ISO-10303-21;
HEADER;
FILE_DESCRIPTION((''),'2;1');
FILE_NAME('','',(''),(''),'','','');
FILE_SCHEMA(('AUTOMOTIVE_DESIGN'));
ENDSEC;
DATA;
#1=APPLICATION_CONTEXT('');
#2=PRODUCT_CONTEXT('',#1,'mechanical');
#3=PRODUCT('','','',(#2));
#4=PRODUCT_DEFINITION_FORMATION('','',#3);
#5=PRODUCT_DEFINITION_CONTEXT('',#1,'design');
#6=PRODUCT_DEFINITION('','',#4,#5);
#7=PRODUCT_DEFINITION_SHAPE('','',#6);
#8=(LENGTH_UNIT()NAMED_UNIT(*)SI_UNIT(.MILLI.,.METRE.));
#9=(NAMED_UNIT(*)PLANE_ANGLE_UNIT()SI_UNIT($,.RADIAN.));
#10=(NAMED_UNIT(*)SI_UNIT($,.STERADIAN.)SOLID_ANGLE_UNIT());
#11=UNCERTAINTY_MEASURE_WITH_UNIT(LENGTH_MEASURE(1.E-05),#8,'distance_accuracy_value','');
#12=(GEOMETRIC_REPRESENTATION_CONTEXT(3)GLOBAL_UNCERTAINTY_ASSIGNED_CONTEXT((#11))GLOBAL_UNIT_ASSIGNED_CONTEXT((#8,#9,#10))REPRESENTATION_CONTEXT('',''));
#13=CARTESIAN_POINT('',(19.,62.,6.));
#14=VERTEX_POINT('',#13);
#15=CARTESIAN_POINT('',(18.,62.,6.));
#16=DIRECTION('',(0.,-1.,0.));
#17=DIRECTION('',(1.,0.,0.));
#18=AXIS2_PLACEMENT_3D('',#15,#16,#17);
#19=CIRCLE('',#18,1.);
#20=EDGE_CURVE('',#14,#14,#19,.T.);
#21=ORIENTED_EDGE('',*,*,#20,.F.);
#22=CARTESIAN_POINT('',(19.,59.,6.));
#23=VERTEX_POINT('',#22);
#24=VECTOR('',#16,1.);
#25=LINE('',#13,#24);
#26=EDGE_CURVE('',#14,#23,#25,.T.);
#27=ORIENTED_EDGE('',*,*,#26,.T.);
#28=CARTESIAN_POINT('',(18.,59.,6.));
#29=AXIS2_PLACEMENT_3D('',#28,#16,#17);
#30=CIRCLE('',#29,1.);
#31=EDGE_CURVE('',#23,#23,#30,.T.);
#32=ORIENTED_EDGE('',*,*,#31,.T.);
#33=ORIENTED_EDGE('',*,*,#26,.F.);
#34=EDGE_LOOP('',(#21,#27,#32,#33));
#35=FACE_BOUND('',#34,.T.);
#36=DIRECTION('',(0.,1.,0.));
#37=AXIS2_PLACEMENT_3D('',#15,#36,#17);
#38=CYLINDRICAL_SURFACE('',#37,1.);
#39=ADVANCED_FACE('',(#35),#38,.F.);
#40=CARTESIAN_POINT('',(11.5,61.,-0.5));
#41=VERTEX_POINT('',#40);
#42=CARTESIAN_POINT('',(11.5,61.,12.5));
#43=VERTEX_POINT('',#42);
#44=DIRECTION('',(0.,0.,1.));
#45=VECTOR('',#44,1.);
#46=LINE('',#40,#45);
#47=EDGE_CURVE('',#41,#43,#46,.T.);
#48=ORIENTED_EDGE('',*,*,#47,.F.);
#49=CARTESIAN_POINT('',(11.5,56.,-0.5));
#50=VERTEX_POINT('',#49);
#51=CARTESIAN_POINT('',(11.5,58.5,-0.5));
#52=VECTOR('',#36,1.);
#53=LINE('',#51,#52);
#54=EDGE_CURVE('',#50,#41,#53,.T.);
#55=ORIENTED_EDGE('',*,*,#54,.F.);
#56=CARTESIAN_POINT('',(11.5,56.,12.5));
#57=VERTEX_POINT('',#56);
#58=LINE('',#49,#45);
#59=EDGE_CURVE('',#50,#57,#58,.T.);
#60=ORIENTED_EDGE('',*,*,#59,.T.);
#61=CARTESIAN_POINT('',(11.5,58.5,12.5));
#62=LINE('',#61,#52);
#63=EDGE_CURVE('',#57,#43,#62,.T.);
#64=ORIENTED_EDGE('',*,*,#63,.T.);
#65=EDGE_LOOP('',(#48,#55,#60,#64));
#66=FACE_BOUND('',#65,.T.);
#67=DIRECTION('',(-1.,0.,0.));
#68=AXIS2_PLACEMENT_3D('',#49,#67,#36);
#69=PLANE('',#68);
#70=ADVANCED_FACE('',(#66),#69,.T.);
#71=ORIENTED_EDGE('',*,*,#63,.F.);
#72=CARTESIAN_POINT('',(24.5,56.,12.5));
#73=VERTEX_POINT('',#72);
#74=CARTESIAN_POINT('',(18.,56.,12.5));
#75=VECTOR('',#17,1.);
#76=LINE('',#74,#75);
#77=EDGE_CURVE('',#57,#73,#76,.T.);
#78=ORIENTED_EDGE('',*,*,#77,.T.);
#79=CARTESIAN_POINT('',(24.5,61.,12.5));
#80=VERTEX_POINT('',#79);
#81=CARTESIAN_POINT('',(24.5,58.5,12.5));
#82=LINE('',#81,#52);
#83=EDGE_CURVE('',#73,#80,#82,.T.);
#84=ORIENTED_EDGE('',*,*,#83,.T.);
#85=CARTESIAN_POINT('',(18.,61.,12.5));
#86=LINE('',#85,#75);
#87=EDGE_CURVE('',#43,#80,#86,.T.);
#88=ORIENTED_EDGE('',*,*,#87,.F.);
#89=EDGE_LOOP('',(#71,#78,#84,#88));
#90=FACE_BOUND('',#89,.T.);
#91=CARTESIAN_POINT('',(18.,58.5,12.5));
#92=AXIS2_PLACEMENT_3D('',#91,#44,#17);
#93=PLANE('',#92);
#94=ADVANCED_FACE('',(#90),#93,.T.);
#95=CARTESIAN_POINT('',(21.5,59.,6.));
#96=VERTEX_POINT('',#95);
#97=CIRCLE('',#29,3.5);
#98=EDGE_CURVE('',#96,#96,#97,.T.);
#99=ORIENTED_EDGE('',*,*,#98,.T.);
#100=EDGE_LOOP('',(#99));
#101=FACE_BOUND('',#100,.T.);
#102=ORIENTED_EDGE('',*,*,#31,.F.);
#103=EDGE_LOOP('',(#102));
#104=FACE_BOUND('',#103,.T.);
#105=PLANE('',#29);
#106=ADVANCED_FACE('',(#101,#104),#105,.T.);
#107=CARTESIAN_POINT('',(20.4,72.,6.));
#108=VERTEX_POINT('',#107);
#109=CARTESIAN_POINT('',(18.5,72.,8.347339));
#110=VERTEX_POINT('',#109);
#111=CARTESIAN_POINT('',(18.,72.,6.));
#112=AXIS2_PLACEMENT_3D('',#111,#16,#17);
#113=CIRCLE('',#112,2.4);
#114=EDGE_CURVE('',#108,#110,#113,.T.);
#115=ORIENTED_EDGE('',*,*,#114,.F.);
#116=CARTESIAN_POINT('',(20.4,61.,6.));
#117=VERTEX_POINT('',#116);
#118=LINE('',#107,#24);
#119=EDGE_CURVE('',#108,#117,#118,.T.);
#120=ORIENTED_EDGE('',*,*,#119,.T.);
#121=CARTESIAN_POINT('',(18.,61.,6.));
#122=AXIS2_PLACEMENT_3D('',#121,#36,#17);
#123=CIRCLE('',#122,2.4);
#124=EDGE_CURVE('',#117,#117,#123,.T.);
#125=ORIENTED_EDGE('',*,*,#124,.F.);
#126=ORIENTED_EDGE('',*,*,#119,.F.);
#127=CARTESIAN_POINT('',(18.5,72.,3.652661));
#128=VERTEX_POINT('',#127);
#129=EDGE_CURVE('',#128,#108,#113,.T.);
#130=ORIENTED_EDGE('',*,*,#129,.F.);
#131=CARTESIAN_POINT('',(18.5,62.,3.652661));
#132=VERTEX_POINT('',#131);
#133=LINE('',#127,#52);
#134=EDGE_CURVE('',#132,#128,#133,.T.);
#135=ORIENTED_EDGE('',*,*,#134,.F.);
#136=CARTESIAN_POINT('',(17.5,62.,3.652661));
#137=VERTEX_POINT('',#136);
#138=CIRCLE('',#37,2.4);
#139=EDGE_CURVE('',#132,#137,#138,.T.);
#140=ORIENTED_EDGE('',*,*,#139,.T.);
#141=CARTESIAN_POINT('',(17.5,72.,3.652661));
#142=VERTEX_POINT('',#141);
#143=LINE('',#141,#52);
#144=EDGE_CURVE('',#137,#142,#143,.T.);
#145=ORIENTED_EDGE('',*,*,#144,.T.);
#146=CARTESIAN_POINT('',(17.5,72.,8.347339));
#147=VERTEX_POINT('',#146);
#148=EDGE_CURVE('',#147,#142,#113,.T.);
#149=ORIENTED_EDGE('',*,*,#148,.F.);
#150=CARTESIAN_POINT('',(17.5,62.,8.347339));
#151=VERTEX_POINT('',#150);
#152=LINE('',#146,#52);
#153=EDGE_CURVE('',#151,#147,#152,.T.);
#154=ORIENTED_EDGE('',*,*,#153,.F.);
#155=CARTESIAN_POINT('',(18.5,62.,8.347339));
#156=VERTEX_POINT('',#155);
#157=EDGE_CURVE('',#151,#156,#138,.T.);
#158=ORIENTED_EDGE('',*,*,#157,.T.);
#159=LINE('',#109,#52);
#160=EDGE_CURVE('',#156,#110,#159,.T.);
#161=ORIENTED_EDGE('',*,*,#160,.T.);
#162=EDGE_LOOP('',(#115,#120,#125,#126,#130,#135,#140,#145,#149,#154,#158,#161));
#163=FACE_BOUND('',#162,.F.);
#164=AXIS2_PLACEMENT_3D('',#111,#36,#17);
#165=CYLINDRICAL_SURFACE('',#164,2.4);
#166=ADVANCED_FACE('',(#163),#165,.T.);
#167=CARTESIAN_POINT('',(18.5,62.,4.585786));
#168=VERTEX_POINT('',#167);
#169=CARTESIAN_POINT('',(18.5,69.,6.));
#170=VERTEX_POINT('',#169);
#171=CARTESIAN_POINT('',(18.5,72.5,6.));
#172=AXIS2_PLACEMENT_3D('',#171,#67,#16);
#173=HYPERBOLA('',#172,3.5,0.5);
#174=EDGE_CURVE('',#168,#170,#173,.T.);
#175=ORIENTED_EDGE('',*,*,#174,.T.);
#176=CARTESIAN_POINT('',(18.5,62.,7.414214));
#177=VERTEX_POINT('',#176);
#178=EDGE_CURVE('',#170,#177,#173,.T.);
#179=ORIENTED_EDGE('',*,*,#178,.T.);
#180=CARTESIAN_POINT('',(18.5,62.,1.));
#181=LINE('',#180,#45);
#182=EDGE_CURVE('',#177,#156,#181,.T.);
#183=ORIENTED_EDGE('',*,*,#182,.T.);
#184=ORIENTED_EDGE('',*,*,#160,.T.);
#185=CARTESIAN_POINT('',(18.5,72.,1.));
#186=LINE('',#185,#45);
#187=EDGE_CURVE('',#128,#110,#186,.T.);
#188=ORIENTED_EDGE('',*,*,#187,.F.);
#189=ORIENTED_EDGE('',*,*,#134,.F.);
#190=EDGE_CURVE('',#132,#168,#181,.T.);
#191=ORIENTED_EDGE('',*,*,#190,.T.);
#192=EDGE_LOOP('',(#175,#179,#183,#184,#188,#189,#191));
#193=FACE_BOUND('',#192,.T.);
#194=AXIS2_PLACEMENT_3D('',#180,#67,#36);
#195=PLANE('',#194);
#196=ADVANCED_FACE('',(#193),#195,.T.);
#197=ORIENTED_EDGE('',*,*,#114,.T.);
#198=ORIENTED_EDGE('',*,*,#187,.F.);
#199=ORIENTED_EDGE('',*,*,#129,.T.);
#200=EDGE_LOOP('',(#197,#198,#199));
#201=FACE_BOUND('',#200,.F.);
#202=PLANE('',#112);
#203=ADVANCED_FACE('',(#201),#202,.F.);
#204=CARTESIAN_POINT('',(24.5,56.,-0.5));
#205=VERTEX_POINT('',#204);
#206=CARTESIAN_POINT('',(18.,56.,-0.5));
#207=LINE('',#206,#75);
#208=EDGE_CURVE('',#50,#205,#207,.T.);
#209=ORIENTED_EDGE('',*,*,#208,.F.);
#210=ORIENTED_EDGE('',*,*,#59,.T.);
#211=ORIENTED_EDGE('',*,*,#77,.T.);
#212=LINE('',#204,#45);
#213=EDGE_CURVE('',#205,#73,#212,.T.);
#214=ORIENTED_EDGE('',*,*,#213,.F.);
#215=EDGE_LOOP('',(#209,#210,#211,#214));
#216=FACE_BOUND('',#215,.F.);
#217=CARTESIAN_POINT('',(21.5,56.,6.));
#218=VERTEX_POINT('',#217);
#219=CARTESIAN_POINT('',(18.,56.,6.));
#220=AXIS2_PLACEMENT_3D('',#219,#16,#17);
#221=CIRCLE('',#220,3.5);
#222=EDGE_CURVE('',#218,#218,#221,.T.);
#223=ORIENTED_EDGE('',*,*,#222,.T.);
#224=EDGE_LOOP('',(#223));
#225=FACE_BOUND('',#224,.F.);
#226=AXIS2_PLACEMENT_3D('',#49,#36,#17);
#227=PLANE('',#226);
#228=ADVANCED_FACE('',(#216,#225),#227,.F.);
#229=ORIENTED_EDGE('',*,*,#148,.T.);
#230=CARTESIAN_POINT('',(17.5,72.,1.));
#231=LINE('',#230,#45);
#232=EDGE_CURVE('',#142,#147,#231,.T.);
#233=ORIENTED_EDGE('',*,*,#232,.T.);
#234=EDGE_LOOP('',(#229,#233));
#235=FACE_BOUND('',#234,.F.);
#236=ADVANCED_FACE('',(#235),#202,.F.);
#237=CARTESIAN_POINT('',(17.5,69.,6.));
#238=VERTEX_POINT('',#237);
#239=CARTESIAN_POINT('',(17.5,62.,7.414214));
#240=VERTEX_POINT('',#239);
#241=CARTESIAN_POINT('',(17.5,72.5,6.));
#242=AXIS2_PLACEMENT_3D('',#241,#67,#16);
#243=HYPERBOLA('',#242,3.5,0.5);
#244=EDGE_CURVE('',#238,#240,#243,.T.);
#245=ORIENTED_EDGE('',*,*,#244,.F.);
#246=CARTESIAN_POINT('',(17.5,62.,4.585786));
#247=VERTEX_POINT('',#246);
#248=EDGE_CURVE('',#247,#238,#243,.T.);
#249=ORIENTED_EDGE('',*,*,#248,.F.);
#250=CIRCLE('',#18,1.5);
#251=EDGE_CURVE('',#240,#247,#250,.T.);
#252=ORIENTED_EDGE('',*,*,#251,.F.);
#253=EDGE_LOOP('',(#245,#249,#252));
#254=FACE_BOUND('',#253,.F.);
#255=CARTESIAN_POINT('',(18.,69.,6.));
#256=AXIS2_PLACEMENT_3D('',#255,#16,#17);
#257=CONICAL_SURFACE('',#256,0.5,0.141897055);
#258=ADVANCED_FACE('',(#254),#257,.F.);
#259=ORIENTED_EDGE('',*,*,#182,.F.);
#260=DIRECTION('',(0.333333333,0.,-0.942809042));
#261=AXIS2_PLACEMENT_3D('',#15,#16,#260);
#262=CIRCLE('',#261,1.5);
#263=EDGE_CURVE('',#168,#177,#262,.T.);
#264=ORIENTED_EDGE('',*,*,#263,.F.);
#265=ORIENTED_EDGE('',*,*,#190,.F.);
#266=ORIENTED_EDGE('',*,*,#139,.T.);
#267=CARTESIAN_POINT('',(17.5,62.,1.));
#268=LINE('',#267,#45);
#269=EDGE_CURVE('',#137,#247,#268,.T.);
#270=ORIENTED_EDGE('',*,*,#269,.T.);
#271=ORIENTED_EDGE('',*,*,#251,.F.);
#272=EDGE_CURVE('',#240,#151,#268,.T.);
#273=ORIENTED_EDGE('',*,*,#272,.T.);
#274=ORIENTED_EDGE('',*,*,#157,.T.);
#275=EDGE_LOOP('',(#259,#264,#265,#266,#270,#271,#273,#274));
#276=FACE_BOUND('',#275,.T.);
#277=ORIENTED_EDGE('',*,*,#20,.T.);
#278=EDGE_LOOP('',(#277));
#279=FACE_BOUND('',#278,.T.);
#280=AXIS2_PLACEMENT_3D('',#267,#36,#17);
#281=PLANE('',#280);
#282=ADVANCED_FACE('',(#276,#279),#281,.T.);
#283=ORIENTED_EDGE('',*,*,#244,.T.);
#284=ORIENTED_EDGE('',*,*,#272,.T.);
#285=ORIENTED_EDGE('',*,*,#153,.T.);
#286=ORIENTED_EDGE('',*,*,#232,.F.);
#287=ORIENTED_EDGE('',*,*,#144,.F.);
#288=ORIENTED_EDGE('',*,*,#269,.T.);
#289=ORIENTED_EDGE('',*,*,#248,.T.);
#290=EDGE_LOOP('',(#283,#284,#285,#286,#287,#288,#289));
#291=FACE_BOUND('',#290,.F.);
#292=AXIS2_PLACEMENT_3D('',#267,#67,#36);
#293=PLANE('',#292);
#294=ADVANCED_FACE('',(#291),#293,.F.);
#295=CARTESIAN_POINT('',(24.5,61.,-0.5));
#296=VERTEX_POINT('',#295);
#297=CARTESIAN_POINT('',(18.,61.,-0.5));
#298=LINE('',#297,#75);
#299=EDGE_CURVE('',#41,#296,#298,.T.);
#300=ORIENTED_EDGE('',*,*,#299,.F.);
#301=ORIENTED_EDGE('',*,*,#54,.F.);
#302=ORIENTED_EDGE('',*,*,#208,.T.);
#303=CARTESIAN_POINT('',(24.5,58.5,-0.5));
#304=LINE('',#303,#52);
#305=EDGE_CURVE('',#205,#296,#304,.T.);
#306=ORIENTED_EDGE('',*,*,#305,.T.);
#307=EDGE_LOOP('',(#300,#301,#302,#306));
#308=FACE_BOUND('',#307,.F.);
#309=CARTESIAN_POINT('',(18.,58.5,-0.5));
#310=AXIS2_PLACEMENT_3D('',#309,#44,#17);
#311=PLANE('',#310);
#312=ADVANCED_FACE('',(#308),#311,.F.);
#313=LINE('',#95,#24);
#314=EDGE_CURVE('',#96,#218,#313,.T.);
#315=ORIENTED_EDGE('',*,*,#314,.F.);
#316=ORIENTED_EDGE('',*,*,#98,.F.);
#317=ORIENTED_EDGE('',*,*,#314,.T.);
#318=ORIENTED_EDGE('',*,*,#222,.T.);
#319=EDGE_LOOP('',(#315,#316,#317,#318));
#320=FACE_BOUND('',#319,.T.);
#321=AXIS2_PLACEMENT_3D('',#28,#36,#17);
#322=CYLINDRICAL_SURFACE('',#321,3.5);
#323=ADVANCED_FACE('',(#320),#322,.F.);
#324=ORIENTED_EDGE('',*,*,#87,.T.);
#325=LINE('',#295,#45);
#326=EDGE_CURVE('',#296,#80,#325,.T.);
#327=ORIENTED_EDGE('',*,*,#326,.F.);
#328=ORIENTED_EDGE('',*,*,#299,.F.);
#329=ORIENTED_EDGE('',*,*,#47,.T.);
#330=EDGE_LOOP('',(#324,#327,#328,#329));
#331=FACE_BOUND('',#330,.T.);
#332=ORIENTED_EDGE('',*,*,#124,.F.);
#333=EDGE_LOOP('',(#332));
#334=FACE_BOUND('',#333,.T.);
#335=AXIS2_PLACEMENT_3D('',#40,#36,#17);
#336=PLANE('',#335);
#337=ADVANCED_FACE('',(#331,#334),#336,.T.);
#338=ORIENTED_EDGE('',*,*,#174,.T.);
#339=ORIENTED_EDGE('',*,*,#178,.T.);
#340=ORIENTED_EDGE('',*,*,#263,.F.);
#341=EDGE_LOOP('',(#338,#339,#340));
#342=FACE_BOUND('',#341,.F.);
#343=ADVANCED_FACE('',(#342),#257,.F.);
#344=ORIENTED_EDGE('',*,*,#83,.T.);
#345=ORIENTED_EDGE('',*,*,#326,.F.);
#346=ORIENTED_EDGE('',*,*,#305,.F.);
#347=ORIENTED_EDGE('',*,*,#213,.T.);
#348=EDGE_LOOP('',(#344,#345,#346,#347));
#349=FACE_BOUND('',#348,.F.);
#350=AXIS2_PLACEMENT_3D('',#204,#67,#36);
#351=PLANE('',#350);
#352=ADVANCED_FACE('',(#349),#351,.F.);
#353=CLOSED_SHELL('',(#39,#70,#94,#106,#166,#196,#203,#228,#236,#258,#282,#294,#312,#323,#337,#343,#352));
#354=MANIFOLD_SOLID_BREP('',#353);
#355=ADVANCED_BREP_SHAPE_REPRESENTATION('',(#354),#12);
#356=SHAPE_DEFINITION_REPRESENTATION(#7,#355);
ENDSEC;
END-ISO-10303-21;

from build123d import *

# Parameters (mm, degrees)
CONE_ROLL_ANGLE        = 90
CYLINDER_R             = 1
CYLINDER_DEPTH         = 3
CYLINDER_ROLL_ANGLE    = 90
CYLINDER005_R          = 3.5
CYLINDER005_DEPTH      = 3
CYLINDER005_ROLL_ANGLE = 90
BOX_W                  = 1
BOX_H                  = 10
BOX_DEPTH              = 10
BOX002_W               = 13
BOX002_H               = 5
BOX002_DEPTH           = 13
CYLINDER002_R          = 2.4
CYLINDER002_DEPTH      = 13
CYLINDER002_ROLL_ANGLE = 90


with BuildPart() as screw_guide:
    # Cone → Cone (revolve)
    with BuildSketch(Plane.XZ):
        Polygon((0, 0), (0.5, 0), (1.5, 7), (0, 7), align=None)
    revolve(axis=Axis((0, 0, 0), (0, 0, 1)))


with BuildPart() as screw_guide_1:
    # Cone roll: moved
    add(screw_guide.part.rotate(Axis((0, 0, 0), (1, 0, 0)), CONE_ROLL_ANGLE))


with BuildPart() as screw_guide_2:
    # Cone placement: moved
    add(screw_guide_1.part.moved(Location((18, 69, 6))))


with BuildPart() as hole:
    # Cylinder → Cylinder (new body)
    with BuildSketch(Plane.XY):
        Circle(CYLINDER_R)
    extrude(amount=CYLINDER_DEPTH)


with BuildPart() as hole_1:
    # Cylinder roll: moved
    add(hole.part.rotate(Axis((0, 0, 0), (1, 0, 0)), CYLINDER_ROLL_ANGLE))


with BuildPart() as hole_2:
    # Cylinder placement: moved
    add(hole_1.part.moved(Location((18, 62, 6))))


with BuildPart() as screw_head_seat:
    # Cylinder005 → Cylinder005 (new body)
    with BuildSketch(Plane.XY):
        Circle(CYLINDER005_R)
    extrude(amount=CYLINDER005_DEPTH)


with BuildPart() as screw_head_seat_1:
    # Cylinder005 roll: moved
    add(screw_head_seat.part.rotate(Axis((0, 0, 0), (1, 0, 0)), CYLINDER005_ROLL_ANGLE))


with BuildPart() as screw_head_seat_2:
    # Cylinder005 placement: moved
    add(screw_head_seat_1.part.moved(Location((18, 59, 6))))


with BuildPart() as hole_and_cut:
    # Box → Box (new body)
    with BuildSketch(Plane(origin=(17.5, 62, 1), x_dir=(1, 0, 0), z_dir=(0, 0, 1))):
        with Locations((0.5, 5)):
            Rectangle(BOX_W, BOX_H)
    extrude(amount=BOX_DEPTH)

    # Fusion: union screw guide, hole, screw head seat
    add(screw_guide_2.part)
    add(hole_2.part)
    add(screw_head_seat_2.part)


with BuildPart() as squared_washer:
    # Box002 → Box002 (new body)
    with BuildSketch(Plane(origin=(11.5, 56, -0.5), x_dir=(1, 0, 0), z_dir=(0, 0, 1))):
        with Locations((6.5, 2.5)):
            Rectangle(BOX002_W, BOX002_H)
    extrude(amount=BOX002_DEPTH)


with BuildPart() as anchor_with_hole_and_cut:
    # Cylinder002 → Cylinder002 (new body)
    with BuildSketch(Plane.XY):
        Circle(CYLINDER002_R)
    extrude(amount=CYLINDER002_DEPTH)


with BuildPart() as anchor_with_hole_and_cut_1:
    # Cylinder002 roll: moved
    add(anchor_with_hole_and_cut.part.rotate(Axis((0, 0, 0), (1, 0, 0)), CYLINDER002_ROLL_ANGLE))


with BuildPart() as anchor_with_hole_and_cut_2:
    # Cylinder002 placement: moved
    add(anchor_with_hole_and_cut_1.part.moved(Location((18, 72, 6))))

    # Fusion001: union squared washer
    add(squared_washer.part)

    # Cut: cut hole and cut
    add(hole_and_cut.part, mode=Mode.SUBTRACT)


solid = anchor_with_hole_and_cut_2.part
